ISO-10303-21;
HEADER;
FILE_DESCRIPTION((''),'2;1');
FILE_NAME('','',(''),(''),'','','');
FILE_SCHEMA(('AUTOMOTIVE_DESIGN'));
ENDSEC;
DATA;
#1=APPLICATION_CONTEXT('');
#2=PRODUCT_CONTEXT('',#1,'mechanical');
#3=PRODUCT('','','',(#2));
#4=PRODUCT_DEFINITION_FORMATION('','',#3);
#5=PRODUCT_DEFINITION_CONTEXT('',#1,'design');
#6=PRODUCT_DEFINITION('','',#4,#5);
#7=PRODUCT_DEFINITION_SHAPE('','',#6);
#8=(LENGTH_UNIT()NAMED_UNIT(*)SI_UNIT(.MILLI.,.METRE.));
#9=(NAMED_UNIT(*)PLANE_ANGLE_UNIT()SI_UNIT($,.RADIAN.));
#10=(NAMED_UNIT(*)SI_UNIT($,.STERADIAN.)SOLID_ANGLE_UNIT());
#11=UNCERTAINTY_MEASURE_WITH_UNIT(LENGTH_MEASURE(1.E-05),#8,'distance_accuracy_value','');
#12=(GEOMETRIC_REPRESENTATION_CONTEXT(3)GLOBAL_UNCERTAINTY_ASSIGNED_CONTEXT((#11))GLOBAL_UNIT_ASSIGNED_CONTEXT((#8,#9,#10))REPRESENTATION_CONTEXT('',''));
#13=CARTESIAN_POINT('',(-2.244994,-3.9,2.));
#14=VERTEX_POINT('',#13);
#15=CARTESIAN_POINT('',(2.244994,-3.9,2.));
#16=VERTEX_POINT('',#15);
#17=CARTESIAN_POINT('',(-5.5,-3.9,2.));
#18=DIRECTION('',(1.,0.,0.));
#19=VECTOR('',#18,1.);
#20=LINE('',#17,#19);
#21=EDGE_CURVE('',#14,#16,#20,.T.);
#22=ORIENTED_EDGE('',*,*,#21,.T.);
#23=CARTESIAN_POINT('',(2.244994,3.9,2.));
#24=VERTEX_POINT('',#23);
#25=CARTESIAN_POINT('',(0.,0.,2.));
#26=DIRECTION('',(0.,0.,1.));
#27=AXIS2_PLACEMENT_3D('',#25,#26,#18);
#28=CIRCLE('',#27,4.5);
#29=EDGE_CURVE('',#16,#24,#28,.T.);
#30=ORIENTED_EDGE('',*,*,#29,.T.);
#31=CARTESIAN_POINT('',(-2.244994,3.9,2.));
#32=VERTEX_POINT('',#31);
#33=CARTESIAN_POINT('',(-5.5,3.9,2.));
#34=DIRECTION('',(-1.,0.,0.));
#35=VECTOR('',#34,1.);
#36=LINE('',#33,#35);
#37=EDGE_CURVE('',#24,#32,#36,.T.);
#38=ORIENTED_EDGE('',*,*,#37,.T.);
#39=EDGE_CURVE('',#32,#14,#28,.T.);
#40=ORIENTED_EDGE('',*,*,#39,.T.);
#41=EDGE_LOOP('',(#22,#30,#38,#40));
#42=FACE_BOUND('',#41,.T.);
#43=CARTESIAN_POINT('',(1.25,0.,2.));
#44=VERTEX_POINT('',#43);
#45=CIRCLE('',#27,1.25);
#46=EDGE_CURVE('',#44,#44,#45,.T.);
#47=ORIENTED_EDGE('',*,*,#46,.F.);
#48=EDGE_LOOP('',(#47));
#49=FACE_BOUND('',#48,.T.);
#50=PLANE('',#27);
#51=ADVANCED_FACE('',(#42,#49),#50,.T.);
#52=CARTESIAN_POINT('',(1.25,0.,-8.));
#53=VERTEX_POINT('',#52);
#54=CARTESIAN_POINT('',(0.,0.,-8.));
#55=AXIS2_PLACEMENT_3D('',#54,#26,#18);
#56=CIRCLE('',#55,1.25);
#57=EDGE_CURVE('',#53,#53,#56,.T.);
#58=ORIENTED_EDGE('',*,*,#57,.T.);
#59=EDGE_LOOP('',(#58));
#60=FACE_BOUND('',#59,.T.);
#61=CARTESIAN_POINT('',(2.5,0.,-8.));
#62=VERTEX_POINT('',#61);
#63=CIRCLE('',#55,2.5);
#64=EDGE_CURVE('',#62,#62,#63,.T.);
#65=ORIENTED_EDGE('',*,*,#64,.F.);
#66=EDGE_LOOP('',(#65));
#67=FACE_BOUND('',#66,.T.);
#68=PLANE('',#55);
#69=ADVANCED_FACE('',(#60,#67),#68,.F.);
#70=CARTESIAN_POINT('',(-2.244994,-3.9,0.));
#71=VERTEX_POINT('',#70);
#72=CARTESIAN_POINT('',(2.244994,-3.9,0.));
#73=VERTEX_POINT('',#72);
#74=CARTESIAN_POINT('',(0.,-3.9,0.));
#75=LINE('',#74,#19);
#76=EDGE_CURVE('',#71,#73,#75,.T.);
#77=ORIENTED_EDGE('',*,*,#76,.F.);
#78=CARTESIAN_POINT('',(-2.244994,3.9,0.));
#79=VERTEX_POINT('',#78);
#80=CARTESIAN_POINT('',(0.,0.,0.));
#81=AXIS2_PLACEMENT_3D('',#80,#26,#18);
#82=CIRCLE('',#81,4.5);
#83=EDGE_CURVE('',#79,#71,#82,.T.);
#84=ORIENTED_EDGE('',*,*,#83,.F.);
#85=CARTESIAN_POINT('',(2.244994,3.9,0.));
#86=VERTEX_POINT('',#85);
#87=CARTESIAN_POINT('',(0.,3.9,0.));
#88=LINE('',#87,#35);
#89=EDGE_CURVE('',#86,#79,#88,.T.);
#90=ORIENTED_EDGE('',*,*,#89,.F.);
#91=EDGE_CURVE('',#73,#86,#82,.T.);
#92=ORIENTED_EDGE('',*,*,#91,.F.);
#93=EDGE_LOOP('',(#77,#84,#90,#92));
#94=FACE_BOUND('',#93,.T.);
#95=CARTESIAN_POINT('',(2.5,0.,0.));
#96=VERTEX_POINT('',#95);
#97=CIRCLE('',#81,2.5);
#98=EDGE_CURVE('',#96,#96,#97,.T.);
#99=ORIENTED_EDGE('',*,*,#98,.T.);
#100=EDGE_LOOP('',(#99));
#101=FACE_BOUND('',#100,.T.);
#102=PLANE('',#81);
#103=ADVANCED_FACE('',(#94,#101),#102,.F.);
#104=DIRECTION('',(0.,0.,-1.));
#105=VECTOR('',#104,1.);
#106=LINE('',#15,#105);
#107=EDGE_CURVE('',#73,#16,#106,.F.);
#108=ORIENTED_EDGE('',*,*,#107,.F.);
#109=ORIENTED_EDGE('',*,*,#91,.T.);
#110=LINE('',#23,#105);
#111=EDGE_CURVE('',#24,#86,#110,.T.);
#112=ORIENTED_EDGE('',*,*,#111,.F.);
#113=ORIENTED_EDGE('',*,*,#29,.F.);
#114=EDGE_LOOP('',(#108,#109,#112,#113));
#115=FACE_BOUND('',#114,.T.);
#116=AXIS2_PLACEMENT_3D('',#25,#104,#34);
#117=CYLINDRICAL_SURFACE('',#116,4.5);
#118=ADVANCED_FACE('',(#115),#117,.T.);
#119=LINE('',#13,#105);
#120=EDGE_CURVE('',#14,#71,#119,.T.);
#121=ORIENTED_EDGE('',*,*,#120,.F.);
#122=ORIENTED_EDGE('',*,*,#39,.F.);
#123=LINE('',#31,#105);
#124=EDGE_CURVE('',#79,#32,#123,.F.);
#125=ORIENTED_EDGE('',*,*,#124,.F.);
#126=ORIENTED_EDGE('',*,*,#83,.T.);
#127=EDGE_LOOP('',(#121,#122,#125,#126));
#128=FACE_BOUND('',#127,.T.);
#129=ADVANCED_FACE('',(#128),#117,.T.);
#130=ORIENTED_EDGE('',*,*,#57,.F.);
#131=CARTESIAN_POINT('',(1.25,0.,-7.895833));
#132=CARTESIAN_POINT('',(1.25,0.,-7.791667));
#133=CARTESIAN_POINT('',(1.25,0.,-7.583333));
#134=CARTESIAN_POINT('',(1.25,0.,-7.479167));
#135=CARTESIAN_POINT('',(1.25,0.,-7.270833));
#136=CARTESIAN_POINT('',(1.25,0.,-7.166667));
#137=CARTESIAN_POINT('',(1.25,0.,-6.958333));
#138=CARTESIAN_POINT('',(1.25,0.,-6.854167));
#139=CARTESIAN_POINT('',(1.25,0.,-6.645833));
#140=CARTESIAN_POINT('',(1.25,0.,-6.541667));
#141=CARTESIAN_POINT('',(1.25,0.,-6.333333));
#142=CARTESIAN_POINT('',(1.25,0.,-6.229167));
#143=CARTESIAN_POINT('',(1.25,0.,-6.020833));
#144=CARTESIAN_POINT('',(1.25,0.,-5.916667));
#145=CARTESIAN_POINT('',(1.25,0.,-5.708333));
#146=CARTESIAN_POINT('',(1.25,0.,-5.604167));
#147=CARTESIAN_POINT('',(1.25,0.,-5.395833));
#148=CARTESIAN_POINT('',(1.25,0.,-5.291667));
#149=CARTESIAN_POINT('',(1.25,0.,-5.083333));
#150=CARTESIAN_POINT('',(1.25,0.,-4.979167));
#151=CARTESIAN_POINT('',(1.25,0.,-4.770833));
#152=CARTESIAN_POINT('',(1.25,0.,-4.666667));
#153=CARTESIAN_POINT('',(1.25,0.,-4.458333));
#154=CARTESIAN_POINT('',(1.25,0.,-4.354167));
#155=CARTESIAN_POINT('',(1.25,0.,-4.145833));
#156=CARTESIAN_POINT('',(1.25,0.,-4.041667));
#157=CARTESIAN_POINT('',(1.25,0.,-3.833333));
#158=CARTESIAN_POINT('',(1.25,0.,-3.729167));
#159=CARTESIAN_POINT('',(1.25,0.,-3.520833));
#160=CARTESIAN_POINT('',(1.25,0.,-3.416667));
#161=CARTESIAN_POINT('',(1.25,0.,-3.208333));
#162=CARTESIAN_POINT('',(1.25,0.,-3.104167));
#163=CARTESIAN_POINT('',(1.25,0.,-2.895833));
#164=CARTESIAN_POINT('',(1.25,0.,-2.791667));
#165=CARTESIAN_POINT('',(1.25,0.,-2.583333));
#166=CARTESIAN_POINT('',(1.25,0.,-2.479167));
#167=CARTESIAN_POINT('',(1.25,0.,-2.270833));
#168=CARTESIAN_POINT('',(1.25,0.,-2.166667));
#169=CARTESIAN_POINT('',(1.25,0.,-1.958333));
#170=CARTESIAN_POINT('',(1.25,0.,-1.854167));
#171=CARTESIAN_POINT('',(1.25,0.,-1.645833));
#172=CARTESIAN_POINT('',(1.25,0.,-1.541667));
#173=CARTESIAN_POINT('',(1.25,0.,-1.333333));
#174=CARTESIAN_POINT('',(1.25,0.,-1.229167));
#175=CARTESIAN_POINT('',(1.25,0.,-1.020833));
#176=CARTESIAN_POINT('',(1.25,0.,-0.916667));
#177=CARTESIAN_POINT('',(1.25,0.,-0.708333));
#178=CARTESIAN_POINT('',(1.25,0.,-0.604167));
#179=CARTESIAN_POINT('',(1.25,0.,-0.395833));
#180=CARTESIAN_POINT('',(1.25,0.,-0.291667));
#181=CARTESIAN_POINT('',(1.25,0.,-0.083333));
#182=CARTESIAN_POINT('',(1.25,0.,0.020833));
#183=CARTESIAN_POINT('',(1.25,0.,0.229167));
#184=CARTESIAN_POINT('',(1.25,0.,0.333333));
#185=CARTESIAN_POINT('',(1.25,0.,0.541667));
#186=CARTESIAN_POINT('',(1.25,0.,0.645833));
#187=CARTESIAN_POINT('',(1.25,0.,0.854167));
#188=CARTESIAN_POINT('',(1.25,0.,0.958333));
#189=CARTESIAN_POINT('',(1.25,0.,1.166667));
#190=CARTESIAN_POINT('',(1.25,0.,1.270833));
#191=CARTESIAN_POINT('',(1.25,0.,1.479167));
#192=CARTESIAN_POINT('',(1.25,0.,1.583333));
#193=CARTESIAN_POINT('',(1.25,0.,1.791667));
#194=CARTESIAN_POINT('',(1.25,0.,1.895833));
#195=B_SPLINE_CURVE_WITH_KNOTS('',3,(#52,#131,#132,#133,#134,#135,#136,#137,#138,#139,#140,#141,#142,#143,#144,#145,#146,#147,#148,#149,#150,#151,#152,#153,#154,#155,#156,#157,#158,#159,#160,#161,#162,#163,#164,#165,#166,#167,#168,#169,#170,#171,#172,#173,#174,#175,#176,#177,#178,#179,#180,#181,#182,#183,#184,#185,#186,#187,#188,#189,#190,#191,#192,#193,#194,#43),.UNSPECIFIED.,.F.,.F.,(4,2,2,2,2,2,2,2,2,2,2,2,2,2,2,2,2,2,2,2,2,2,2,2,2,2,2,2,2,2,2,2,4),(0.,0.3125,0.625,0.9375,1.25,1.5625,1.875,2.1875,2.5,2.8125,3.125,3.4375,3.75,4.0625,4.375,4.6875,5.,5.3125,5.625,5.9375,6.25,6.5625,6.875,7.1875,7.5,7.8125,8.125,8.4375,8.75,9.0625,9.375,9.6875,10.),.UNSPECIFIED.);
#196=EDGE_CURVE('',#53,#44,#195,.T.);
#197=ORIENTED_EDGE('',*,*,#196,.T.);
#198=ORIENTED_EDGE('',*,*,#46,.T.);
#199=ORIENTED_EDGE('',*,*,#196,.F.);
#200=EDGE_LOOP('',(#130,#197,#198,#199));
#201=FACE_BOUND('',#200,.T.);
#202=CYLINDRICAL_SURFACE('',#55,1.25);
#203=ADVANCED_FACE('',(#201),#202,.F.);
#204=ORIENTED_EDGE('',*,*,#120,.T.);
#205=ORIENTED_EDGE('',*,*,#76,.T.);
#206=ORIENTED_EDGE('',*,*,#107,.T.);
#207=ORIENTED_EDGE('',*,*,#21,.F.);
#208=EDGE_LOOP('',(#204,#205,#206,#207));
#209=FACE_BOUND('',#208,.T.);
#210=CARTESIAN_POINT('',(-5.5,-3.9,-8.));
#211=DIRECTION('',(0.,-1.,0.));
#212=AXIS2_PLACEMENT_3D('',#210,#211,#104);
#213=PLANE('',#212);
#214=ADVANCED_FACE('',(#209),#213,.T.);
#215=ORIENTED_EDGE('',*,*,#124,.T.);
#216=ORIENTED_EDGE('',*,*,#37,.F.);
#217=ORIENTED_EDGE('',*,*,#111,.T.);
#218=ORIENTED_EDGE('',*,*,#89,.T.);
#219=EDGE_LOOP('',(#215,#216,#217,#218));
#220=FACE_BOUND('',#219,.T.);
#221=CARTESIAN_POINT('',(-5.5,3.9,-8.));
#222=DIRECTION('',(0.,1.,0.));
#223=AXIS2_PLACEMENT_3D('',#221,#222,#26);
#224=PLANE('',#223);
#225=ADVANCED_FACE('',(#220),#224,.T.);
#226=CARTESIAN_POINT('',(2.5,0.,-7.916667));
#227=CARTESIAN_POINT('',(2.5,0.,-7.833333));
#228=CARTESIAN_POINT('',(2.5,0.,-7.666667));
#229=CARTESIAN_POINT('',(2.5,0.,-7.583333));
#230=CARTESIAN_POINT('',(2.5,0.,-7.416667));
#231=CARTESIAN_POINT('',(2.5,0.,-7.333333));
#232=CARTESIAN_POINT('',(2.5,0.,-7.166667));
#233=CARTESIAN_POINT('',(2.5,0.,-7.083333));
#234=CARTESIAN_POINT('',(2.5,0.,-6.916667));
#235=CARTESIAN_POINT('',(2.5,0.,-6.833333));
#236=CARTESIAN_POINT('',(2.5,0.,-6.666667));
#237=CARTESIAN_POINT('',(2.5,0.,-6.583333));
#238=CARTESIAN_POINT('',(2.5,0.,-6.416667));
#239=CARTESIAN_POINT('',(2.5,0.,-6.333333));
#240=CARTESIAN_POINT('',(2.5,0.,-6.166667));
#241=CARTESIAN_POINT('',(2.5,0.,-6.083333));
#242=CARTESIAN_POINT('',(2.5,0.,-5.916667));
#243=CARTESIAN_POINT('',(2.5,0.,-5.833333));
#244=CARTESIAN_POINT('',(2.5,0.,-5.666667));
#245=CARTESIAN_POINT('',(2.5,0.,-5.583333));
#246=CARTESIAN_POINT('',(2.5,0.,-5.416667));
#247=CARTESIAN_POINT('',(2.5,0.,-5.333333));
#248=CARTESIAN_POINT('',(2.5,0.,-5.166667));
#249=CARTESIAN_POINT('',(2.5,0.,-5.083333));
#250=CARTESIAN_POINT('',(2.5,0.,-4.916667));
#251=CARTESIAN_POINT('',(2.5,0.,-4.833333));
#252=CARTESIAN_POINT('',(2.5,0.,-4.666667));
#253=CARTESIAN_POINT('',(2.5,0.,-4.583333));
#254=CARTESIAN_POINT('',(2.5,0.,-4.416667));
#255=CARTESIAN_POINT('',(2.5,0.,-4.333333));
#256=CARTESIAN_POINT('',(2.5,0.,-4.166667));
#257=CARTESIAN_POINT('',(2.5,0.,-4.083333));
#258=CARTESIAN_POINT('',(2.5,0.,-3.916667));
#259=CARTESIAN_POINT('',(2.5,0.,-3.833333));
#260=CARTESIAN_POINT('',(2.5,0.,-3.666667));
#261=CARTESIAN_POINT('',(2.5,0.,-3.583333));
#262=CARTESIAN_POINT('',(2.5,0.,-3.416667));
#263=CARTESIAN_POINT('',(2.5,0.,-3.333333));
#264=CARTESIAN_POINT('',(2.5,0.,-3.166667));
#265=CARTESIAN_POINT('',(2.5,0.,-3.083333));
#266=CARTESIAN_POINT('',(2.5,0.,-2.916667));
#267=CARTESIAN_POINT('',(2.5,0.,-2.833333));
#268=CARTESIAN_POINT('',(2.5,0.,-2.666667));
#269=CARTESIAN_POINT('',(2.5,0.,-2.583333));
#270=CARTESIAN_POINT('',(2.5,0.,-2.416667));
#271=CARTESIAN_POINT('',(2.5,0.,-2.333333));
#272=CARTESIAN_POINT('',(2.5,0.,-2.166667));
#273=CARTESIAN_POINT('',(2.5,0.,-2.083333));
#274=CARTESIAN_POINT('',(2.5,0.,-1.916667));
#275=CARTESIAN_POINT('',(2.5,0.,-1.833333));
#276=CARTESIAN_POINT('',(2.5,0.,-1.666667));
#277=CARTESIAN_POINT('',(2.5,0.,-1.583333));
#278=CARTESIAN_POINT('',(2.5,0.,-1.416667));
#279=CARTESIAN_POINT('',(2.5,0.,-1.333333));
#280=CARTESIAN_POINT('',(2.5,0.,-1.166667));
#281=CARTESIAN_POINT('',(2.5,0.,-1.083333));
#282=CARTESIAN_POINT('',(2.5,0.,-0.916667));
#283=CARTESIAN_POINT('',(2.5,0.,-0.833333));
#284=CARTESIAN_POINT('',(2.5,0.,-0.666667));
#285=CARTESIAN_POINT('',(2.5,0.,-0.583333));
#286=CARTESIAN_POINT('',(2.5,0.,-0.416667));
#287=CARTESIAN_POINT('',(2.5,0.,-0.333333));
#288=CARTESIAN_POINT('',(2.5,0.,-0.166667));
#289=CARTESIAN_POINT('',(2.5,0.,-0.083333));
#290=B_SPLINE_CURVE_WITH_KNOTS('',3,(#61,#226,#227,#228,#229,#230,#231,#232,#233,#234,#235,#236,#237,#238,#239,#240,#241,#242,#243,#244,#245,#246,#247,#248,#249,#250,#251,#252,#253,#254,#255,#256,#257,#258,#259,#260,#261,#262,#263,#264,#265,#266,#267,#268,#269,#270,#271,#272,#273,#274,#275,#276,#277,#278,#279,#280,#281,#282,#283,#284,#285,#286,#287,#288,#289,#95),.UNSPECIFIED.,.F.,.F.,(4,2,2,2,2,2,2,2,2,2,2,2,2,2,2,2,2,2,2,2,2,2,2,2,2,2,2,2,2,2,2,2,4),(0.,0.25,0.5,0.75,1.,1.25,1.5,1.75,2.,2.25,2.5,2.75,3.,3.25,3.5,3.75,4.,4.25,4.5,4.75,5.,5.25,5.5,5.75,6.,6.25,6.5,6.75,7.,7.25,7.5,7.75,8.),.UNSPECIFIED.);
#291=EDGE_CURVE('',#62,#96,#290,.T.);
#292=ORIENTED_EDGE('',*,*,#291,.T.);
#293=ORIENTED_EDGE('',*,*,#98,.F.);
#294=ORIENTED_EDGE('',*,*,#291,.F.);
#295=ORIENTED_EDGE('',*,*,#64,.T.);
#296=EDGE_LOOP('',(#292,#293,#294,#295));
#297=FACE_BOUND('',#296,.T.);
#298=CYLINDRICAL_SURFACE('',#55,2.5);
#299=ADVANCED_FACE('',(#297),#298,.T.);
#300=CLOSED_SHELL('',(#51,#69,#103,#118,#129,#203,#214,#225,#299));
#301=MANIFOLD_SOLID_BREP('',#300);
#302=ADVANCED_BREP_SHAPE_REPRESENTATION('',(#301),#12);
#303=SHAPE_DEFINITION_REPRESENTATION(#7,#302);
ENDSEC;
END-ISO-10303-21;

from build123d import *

# Parameters (mm, degrees)
SKETCH1_R           = 4.5
SKETCH1_R_2         = 2.3
BOSS_EXTRUDE1_DEPTH = 2
SKETCH2_R           = 2.5
SKETCH2_R_2         = 1.25
BOSS_EXTRUDE2_DEPTH = 10
SKETCH3_R           = 9.569639601
SKETCH3_W           = 11
SKETCH3_H           = 7.8
CUT_EXTRUDE1_DEPTH  = 10


with BuildPart() as part:
    # Sketch1 → Boss-Extrude1 (new body)
    with BuildSketch(Plane.XY):
        Circle(SKETCH1_R)
        Circle(SKETCH1_R_2, mode=Mode.SUBTRACT)
    extrude(amount=BOSS_EXTRUDE1_DEPTH)

    # Sketch2 → Boss-Extrude2 (add)
    with BuildSketch(Plane.XY.offset(2)):
        Circle(SKETCH2_R)
        Circle(SKETCH2_R_2, mode=Mode.SUBTRACT)
    extrude(amount=-BOSS_EXTRUDE2_DEPTH)

    # Sketch3 → Cut-Extrude1 (cut)
    with BuildSketch(Plane.XY.offset(2)):
        Circle(SKETCH3_R)
        Rectangle(SKETCH3_W, SKETCH3_H, mode=Mode.SUBTRACT)
    extrude(amount=-CUT_EXTRUDE1_DEPTH, mode=Mode.SUBTRACT)


solid = part.part
